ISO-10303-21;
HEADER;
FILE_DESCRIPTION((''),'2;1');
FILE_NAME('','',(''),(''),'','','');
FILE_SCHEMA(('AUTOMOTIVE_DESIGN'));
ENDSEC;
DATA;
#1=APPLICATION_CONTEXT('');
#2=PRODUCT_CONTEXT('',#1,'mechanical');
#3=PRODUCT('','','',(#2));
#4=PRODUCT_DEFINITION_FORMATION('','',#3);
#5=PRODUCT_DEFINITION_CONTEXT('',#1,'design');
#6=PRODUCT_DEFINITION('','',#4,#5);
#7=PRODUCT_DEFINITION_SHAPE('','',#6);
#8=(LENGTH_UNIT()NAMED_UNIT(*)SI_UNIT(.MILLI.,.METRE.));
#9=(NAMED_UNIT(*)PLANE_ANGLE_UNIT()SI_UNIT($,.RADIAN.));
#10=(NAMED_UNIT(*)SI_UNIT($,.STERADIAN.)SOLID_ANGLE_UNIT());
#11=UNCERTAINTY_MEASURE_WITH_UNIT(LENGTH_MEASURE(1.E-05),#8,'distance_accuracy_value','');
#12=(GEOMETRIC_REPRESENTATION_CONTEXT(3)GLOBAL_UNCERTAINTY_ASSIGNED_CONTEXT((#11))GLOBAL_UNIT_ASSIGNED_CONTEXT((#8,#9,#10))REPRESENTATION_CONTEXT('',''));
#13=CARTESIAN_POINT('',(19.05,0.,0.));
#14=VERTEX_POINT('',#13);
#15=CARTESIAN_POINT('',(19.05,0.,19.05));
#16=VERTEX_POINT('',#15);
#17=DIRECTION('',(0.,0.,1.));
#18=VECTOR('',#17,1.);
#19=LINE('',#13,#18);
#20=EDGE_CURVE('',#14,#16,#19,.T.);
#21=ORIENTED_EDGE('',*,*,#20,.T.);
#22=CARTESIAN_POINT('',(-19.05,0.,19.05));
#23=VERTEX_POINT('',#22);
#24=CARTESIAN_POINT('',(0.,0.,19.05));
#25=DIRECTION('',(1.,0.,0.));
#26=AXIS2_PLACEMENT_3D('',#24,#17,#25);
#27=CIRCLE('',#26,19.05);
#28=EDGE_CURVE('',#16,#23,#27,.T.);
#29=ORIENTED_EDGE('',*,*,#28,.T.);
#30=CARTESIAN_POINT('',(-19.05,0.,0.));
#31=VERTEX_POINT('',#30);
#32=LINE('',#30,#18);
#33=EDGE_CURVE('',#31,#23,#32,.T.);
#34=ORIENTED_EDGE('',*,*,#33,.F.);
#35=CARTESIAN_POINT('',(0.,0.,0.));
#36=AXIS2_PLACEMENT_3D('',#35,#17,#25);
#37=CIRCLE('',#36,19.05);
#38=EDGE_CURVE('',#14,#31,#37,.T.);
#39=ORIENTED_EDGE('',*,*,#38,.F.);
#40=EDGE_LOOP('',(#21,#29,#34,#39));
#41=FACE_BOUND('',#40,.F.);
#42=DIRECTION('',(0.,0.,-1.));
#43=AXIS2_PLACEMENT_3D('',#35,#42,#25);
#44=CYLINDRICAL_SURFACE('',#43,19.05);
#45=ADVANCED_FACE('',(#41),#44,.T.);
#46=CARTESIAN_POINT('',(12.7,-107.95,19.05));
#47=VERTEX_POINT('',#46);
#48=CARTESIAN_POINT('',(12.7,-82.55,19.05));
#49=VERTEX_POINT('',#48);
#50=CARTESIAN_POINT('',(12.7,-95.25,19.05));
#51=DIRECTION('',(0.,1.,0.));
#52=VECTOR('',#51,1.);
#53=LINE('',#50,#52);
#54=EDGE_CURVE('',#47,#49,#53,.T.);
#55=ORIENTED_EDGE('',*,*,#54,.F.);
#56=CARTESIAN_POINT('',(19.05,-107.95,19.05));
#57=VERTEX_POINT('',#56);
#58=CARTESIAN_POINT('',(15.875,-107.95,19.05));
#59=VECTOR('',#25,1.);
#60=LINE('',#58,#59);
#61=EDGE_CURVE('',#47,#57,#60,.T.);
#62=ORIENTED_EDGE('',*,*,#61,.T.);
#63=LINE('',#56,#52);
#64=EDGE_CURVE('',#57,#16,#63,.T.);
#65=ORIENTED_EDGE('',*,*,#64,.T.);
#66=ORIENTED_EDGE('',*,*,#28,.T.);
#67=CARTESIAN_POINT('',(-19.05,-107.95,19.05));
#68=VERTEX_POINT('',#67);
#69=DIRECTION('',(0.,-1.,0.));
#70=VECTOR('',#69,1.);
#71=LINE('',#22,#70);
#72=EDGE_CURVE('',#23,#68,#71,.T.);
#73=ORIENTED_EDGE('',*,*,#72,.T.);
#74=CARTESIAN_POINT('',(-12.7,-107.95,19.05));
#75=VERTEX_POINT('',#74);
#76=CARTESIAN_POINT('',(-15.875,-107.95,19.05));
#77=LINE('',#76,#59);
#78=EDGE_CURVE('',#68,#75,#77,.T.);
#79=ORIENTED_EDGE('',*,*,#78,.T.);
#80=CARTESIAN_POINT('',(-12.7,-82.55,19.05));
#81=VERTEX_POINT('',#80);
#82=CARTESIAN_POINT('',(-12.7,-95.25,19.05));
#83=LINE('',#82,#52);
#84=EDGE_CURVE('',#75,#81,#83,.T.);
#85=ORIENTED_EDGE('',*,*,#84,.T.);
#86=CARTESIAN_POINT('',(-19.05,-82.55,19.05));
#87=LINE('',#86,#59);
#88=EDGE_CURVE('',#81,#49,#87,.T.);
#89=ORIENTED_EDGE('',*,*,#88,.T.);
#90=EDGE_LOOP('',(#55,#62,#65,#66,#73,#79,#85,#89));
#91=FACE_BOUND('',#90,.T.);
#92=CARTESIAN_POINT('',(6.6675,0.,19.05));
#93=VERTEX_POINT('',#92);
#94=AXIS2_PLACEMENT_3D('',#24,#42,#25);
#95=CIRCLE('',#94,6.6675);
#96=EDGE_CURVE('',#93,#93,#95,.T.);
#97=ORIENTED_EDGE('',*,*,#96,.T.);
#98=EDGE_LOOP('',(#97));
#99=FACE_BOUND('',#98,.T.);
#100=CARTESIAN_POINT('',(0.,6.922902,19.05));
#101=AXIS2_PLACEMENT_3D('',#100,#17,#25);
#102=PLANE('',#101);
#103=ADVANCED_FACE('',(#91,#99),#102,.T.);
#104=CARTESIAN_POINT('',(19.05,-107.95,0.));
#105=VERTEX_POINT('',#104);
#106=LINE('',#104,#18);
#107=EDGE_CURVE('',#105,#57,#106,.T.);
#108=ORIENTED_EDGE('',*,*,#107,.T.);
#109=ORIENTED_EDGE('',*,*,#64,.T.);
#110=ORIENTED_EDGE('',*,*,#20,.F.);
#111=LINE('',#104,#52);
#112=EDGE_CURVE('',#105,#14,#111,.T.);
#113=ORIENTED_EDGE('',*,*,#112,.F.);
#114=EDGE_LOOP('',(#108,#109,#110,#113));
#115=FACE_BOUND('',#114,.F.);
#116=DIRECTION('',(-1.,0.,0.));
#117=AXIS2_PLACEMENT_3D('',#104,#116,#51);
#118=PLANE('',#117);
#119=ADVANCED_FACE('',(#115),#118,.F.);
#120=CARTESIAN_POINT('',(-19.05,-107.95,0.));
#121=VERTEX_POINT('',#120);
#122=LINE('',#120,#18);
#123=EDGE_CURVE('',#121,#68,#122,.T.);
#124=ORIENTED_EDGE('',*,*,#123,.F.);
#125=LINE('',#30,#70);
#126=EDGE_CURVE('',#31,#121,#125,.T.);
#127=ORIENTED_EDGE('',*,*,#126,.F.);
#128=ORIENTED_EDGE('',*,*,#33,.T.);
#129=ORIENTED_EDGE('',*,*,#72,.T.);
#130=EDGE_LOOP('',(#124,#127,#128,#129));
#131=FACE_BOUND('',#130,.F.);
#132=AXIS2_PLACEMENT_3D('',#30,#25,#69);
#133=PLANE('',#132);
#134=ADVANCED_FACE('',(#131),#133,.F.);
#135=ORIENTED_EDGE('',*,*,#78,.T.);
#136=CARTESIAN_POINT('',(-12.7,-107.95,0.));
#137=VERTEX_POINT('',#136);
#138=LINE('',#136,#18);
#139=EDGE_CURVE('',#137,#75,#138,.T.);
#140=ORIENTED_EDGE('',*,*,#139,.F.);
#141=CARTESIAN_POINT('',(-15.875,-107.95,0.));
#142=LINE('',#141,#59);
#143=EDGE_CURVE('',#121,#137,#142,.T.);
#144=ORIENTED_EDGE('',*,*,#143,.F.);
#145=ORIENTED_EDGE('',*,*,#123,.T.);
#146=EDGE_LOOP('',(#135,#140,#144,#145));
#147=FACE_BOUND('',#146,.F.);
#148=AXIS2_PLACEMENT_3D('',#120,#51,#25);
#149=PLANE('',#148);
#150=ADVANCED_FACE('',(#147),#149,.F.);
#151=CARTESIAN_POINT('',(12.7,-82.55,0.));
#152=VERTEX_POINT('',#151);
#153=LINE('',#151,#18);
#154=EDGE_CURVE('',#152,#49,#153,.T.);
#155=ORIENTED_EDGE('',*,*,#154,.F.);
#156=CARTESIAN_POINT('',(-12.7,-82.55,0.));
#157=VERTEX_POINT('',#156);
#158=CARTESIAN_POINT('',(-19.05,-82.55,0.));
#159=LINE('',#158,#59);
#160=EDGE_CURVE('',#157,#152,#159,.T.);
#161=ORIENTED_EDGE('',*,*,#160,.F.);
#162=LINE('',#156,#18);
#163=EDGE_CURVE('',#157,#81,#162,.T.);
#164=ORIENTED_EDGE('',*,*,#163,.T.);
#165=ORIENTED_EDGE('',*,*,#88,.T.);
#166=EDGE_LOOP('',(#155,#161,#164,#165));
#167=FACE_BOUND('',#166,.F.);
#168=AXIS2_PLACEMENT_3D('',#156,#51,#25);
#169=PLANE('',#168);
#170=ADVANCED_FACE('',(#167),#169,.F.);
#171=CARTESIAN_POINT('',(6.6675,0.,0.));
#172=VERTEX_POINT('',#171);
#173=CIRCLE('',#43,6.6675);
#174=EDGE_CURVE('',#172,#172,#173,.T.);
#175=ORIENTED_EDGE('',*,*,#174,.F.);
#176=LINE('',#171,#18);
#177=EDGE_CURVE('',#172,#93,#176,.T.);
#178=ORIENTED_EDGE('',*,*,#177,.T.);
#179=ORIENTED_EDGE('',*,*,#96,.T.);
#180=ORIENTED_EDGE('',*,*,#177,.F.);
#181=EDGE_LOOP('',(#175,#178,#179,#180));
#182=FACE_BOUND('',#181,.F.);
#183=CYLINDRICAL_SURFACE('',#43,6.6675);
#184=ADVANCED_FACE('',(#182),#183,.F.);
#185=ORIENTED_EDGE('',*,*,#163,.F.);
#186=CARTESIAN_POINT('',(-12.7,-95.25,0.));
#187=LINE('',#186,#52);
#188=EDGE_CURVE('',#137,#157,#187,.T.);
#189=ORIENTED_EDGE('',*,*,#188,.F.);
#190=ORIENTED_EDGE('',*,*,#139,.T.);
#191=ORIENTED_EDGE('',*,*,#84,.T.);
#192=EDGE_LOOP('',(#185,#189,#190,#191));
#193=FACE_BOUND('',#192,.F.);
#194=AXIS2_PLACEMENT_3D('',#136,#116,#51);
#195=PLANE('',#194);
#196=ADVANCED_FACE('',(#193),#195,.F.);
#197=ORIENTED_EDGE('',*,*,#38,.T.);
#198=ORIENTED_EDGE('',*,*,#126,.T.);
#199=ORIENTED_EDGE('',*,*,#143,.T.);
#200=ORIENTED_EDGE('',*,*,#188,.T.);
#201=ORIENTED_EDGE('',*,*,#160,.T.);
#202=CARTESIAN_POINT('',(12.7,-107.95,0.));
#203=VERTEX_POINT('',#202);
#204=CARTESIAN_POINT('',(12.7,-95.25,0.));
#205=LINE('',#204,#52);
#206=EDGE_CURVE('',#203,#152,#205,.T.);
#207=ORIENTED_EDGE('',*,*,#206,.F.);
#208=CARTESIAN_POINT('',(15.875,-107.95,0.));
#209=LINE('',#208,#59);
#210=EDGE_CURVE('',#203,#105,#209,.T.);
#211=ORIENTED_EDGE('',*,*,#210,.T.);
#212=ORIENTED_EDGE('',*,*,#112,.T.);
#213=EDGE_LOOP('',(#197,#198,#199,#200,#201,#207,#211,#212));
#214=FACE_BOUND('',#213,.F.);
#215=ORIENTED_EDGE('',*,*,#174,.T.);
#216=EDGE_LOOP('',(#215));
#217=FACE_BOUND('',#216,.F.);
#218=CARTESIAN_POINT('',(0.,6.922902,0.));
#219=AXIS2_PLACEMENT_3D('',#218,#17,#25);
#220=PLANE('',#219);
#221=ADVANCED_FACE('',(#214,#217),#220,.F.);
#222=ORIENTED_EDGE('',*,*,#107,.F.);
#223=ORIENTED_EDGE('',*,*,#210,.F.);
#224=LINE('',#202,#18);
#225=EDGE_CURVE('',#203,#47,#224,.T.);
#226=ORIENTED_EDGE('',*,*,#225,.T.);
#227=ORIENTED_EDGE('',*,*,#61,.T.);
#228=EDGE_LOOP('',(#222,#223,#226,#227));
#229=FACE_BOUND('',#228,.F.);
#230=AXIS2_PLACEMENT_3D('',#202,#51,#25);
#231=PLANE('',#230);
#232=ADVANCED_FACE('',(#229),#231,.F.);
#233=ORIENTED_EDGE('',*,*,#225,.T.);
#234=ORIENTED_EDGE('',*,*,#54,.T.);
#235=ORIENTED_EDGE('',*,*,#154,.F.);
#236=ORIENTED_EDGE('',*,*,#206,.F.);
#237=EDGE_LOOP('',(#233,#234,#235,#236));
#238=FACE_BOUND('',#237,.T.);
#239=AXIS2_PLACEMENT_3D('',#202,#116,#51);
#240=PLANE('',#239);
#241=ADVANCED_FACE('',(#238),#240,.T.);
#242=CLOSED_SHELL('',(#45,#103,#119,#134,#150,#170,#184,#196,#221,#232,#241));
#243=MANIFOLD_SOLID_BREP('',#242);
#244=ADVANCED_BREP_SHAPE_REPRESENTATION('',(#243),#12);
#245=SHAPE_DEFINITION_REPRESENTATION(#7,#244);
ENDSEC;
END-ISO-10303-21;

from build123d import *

# Parameters (mm, degrees)
F0_W     = 6.35
F0_H     = 25.4
F1_DEPTH = 19.05


with BuildPart() as f1:
    # F0 (on Top) → F1 (new body)
    with BuildSketch(Plane.XY):
        with BuildLine():
            Line((6.6675, 0), (19.05, 0))
            ThreePointArc((19.05, 0), (0, 19.05), (-19.05, 0))
            Line((-19.05, 0), (-6.6675, 0))
            ThreePointArc((-6.6675, 0), (0, 6.6675), (6.6675, 0))
        make_face()
        with BuildLine():
            Line((19.05, -82.55), (19.05, 0))
            ThreePointArc((19.05, 0), (0, -19.05), (-19.05, 0))
            Line((-19.05, 0), (-19.05, -82.55))
            Line((-19.05, -82.55), (-12.7, -82.55))
            Line((-12.7, -82.55), (12.7, -82.55))
            Line((12.7, -82.55), (19.05, -82.55))
        make_face()
        with BuildLine():
            ThreePointArc((-19.05, 0), (0, -19.05), (19.05, 0))
            Line((19.05, 0), (6.6675, 0))
            ThreePointArc((6.6675, 0), (0, -6.6675), (-6.6675, 0))
            Line((-6.6675, 0), (-19.05, 0))
        make_face()
        with Locations((15.875, -95.25)):
            Rectangle(F0_W, F0_H)
        with Locations((-15.875, -95.25)):
            Rectangle(F0_W, F0_H)
    extrude(amount=F1_DEPTH)


solid = f1.part
